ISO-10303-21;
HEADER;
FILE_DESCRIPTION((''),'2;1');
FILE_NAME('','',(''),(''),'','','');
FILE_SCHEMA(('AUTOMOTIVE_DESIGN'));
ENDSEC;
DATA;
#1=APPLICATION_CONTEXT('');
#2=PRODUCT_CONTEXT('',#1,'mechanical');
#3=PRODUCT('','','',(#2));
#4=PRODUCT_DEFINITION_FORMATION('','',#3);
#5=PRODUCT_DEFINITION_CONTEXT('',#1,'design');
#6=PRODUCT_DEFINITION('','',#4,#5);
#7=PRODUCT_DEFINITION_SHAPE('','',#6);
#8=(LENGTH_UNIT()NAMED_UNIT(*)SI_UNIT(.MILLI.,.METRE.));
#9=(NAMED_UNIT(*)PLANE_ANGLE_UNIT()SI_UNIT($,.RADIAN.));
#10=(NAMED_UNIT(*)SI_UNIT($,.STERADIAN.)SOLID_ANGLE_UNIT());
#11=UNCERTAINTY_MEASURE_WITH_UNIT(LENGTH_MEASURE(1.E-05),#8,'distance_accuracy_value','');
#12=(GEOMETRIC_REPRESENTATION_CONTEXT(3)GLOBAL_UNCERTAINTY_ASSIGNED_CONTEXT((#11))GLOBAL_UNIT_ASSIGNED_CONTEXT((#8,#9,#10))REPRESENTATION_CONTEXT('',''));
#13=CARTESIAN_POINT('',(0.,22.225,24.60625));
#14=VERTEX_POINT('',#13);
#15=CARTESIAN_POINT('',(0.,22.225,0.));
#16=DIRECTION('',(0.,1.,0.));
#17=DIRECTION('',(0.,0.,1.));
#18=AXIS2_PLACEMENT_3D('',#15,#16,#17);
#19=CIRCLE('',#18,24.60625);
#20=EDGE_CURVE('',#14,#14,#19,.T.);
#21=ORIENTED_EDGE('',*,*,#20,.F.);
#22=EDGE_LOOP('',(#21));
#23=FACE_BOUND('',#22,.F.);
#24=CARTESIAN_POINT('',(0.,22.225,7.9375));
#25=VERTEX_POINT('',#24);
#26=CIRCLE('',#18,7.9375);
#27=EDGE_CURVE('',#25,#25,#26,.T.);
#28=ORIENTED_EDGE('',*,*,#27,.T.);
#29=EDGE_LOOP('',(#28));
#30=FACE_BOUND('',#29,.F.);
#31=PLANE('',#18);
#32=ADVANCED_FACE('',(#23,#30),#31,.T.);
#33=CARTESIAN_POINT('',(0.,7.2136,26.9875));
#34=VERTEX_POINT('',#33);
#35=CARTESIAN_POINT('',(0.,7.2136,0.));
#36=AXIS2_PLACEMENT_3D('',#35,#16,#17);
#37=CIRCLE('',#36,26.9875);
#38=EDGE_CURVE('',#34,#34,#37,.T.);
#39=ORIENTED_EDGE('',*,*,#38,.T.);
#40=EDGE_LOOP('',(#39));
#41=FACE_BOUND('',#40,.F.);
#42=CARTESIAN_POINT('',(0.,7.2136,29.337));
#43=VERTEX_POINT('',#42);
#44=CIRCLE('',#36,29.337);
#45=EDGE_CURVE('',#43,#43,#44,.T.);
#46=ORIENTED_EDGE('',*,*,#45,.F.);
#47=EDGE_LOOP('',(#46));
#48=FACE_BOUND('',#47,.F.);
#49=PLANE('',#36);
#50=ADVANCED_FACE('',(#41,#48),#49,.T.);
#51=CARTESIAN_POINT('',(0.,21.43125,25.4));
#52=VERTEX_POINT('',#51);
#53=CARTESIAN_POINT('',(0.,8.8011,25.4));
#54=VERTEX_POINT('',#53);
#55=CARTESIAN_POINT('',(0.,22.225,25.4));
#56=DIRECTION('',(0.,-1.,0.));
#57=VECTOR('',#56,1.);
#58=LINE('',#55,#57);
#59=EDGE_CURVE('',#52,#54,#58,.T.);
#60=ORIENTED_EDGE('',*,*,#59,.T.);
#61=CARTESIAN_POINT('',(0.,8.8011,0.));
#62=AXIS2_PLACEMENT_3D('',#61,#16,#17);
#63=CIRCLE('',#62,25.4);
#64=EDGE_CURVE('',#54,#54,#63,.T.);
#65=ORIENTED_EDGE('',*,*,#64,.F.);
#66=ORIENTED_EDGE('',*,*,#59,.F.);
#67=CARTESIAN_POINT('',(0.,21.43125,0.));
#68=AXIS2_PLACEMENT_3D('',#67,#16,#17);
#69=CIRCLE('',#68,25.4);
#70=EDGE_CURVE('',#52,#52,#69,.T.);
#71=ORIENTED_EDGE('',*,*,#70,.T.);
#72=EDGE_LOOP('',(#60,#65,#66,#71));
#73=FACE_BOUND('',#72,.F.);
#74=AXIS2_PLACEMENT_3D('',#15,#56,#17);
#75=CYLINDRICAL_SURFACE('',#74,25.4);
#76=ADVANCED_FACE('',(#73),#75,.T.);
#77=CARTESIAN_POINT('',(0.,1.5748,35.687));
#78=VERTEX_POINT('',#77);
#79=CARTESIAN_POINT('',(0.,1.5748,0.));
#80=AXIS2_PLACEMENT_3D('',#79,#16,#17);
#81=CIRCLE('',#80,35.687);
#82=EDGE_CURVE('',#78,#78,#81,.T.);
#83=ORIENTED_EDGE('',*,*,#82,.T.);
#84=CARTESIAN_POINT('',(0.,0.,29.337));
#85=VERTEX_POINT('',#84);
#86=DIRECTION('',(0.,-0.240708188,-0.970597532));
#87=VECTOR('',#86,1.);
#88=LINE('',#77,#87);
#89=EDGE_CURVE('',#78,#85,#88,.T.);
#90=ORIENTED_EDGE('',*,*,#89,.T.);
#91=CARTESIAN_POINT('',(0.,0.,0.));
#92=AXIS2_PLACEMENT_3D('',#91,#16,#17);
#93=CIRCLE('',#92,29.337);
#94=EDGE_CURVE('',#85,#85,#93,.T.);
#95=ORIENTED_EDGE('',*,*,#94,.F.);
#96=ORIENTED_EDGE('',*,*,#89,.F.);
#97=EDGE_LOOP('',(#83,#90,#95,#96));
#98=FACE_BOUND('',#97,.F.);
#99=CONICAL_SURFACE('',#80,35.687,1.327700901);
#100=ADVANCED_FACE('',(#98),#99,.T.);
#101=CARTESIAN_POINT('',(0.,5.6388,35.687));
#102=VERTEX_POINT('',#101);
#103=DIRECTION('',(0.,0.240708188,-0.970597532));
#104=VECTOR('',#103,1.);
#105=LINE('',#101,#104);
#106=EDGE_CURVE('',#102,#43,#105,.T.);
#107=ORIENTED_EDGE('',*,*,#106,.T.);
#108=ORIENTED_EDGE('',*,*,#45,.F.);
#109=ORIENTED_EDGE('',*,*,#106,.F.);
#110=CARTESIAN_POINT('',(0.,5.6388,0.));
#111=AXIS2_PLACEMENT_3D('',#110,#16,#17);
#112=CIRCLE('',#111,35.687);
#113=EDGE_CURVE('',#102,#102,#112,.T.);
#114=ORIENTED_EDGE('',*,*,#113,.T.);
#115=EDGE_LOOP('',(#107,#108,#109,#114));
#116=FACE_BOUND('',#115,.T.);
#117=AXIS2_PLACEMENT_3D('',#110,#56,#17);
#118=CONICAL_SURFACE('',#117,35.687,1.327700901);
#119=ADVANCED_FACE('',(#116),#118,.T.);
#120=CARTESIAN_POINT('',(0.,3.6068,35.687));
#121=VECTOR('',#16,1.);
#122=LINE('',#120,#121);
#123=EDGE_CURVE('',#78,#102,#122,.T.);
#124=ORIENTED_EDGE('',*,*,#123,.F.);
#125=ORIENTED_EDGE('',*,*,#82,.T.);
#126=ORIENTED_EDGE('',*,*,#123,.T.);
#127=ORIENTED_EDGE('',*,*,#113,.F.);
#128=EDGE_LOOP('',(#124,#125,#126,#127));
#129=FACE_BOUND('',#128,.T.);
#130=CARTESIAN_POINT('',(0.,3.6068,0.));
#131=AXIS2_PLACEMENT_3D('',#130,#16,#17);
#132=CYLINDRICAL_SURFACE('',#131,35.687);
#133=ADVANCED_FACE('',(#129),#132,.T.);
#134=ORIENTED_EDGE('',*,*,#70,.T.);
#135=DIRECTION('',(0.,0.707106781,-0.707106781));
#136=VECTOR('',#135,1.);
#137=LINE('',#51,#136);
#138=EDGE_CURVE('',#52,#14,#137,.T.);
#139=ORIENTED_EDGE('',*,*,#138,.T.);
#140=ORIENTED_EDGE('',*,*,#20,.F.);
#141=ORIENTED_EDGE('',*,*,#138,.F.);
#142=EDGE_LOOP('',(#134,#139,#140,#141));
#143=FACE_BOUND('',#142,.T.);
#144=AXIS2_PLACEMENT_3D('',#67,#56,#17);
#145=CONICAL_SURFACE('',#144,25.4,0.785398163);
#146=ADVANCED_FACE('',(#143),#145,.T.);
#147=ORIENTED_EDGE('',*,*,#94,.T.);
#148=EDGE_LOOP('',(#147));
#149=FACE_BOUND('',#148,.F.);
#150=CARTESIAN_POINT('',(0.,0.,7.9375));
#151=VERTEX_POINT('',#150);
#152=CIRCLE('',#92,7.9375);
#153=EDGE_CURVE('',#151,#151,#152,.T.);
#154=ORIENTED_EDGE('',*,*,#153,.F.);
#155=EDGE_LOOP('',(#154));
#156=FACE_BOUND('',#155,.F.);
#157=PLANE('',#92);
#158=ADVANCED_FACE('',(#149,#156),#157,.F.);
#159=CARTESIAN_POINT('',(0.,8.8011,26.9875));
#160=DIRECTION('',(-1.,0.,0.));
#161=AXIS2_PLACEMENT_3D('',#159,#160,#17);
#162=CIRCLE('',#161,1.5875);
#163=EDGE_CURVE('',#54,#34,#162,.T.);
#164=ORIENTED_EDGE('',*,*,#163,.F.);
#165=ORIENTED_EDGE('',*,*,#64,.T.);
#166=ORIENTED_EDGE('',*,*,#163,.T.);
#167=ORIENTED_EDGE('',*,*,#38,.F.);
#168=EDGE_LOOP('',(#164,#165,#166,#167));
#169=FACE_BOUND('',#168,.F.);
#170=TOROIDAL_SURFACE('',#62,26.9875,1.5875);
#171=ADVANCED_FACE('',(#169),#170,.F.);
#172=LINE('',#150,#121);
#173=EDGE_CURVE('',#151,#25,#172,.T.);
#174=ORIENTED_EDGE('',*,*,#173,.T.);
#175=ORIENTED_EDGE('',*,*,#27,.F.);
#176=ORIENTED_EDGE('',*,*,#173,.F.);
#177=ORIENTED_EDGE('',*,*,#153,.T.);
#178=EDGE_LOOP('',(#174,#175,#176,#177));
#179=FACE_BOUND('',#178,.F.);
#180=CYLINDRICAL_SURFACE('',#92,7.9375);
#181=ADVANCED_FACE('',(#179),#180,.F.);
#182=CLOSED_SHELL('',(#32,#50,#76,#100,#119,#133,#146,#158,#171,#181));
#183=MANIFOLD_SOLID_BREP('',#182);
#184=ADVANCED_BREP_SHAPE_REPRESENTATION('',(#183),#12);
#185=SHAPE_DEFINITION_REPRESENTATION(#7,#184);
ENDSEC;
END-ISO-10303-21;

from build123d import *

# Parameters (mm, degrees)
F0_W     = 15.0114
F0_H     = 17.4625
F0_W_2   = 7.2136
F0_H_2   = 10.287
F2_R     = 1.5875
F3_SIZE  = 0.79375
F4_SIZE2 = 6.35
F4_SIZE  = 1.5748


with BuildPart() as f1:
    # F0 (on Right) → F1 (revolve)
    with BuildSketch(Plane.YZ):
        with Locations((14.7193, 16.66875)):
            Rectangle(F0_W, F0_H)
        with Locations((3.6068, 16.66875)):
            Rectangle(F0_W_2, F0_H)
        with Locations((3.6068, 30.5435)):
            Rectangle(F0_W_2, F0_H_2)
    revolve(axis=Axis((0, 11.1125, 0), (0, 1, 0)))

    # F2
    f2_edges = [f1.edges().sort_by_distance(p)[0] for p in [
        (0, 7.2136, -25.4),
    ]]
    fillet(f2_edges, radius=F2_R)

    # F3
    f3_edges = [f1.edges().sort_by_distance(p)[0] for p in [
        (0, 22.225, -25.4),
    ]]
    chamfer(f3_edges, length=F3_SIZE)

    # F4
    f4_edges = [f1.edges().sort_by_distance(p)[0] for p in [
        (0, 7.2136, -35.687),
        (0, 0, -35.687),
        (0, 3.6068, 35.687),
    ]]
    f4_side = f1.faces().sort_by_distance((0, 3.6068, -35.687))[0]
    chamfer(f4_edges, length=F4_SIZE, length2=F4_SIZE2, reference=f4_side)


solid = f1.part
